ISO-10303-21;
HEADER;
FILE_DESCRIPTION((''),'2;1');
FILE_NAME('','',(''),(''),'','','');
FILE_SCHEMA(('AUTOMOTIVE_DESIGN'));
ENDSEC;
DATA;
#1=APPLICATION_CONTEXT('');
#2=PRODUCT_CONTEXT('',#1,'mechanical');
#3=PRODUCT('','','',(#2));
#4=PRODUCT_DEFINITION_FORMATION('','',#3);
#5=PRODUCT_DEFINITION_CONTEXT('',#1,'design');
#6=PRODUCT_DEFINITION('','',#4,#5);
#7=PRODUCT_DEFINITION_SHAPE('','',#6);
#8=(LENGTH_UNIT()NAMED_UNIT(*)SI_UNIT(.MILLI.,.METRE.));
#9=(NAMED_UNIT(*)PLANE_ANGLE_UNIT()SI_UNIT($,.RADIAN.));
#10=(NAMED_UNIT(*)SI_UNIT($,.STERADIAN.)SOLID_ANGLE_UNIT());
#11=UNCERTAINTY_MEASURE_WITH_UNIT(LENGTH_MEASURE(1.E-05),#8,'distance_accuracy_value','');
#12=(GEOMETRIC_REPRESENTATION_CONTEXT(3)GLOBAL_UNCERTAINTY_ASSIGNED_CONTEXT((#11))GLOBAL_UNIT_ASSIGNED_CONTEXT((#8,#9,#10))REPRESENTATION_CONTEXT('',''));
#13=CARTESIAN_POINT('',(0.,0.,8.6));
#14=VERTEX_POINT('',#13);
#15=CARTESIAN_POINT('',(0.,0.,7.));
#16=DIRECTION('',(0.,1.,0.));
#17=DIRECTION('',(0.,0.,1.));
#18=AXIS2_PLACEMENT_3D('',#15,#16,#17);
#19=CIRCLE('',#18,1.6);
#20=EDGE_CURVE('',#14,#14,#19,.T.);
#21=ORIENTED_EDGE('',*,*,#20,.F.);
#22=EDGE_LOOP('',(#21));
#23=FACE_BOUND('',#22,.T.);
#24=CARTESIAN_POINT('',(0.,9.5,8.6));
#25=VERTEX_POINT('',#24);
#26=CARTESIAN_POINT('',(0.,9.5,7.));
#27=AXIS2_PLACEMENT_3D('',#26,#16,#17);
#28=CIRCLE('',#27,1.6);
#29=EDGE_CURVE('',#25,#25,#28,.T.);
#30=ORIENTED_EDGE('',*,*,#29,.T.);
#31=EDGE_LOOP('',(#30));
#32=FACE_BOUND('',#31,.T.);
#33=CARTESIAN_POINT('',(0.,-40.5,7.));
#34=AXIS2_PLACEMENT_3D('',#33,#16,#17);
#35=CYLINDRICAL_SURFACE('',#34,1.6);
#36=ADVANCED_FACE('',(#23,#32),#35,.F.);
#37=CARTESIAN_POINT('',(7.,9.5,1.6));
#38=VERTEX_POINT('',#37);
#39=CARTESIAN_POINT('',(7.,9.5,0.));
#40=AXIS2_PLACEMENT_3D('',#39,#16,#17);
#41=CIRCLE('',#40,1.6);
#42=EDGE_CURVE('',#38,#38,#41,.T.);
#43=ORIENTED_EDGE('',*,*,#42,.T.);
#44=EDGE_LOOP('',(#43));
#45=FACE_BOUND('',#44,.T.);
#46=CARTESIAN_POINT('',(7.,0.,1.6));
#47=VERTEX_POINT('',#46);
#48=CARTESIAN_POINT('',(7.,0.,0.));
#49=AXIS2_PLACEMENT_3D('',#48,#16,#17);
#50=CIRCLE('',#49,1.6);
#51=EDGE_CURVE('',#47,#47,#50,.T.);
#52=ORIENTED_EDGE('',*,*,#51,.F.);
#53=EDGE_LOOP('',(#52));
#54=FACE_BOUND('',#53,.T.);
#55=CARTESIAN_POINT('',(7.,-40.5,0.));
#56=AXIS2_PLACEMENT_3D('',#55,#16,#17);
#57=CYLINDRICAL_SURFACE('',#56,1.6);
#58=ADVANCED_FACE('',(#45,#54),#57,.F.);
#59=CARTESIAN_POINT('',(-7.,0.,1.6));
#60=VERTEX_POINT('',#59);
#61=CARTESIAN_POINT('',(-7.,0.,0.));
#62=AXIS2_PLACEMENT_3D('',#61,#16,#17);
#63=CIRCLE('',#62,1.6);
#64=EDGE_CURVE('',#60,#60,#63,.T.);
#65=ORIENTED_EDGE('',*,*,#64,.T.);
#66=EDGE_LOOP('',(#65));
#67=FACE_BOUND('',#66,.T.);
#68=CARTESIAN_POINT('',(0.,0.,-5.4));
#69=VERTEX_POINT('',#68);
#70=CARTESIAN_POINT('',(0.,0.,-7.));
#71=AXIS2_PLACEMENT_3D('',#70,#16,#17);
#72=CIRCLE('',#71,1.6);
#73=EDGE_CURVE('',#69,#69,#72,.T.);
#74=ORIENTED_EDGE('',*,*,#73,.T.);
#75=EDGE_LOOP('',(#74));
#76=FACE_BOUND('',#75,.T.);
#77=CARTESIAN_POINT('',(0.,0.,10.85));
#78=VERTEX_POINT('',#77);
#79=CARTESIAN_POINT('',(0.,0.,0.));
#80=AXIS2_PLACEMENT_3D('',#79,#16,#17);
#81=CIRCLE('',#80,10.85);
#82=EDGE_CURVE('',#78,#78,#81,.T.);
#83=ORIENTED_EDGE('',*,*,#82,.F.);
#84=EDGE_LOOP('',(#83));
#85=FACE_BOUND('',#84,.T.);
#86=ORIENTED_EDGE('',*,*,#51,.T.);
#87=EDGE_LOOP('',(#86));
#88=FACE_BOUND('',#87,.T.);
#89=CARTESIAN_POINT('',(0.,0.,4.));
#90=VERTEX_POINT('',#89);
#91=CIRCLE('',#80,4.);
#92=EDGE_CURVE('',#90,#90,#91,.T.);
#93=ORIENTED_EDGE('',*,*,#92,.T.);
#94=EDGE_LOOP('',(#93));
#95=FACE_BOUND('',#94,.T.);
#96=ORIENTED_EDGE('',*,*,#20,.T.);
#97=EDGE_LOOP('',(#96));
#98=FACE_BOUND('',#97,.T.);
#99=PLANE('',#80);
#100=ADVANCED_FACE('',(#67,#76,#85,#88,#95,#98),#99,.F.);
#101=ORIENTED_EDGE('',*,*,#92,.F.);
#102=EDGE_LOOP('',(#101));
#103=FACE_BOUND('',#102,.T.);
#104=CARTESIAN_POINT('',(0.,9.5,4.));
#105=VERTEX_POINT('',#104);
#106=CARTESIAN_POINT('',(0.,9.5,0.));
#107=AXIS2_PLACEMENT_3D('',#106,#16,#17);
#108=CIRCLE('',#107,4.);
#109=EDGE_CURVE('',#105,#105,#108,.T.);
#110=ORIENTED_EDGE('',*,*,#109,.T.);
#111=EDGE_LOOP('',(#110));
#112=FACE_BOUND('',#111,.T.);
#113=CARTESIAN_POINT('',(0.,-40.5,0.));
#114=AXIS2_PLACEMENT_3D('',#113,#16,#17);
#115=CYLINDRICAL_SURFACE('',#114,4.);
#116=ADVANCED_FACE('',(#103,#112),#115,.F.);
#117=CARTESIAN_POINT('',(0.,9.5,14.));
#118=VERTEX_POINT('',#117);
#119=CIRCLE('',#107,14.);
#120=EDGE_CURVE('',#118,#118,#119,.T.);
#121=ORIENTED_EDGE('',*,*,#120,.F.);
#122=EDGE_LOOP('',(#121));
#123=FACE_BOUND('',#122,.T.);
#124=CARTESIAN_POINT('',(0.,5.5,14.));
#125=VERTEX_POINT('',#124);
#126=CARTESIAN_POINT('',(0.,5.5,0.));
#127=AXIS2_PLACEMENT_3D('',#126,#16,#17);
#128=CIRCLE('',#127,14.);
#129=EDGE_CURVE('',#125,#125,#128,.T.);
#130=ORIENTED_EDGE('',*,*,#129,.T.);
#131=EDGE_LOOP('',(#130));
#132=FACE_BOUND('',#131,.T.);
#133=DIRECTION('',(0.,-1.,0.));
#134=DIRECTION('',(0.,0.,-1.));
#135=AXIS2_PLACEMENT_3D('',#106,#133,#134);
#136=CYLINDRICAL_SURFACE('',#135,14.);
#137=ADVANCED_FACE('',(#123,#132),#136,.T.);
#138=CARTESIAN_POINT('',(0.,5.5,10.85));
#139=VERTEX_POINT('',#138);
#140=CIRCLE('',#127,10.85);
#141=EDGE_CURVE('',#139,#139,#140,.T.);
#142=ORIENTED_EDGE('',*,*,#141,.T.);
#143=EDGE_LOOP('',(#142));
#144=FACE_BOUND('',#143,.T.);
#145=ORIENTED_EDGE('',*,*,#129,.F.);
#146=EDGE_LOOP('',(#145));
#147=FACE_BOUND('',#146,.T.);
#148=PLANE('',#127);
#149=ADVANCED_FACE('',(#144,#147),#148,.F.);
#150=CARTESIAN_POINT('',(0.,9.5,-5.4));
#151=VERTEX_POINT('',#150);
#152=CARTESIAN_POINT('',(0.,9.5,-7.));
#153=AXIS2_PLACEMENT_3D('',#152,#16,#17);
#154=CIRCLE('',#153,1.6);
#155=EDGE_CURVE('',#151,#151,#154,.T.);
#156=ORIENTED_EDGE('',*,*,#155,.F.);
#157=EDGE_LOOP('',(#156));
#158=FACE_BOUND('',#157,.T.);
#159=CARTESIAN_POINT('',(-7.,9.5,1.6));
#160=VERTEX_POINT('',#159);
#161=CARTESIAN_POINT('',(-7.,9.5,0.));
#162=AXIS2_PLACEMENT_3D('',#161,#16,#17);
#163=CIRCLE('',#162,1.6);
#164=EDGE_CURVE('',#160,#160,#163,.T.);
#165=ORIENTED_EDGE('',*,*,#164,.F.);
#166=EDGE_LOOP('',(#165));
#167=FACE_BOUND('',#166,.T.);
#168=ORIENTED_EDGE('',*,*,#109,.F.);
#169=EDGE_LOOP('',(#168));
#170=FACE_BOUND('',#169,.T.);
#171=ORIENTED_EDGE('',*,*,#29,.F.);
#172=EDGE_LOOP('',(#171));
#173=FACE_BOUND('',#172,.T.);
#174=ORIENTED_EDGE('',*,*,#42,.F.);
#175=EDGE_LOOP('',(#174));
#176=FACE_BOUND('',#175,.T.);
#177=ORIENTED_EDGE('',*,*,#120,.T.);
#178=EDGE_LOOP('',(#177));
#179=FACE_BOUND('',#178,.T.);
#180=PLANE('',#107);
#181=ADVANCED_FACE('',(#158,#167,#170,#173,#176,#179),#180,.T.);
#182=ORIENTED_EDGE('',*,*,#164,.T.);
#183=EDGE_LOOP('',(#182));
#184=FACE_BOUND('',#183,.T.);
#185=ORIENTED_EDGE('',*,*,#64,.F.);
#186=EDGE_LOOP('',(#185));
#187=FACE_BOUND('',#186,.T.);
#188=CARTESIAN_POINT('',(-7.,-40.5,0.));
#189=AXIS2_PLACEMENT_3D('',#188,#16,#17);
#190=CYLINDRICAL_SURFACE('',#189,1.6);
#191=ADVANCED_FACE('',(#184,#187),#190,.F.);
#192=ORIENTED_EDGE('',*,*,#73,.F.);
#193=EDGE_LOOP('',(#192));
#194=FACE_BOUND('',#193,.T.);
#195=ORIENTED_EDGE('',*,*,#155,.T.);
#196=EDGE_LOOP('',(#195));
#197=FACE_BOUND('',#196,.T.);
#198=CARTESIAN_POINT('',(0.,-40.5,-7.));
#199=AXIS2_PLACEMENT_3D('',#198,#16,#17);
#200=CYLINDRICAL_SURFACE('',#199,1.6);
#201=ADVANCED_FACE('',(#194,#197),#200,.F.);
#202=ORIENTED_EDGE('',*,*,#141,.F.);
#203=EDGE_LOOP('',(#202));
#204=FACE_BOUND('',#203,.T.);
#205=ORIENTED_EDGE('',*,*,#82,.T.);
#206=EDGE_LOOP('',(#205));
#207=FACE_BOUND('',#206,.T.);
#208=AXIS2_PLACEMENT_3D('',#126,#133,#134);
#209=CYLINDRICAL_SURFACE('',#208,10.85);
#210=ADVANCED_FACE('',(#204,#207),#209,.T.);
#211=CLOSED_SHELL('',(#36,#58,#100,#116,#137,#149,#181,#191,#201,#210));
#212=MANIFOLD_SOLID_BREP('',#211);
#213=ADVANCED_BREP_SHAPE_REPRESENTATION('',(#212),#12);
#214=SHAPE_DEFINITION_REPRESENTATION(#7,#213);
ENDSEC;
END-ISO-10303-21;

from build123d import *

# Parameters (mm, degrees)
SKETCH_3_R          = 10.85
EXTRUDE_1_DEPTH     = 5.5
SKETCH_4_R          = 14
EXTRUDE_2_DEPTH     = 4
SKETCH_5_R          = 4
SKETCH_5_R_2        = 1.6
CUT_EXTRUDE_1_DEPTH = 50


with BuildPart() as part:
    # 草图3 → 凸台-拉伸1 (new body)
    with BuildSketch(Plane(origin=(0, 0, 0), x_dir=(1, 0, 0), z_dir=(0, 1, 0))):
        with Locations(Location((0, 0, 0), (0, 0, 270))):
            Circle(SKETCH_3_R)
    extrude(amount=EXTRUDE_1_DEPTH)

    # 草图4 → 凸台-拉伸2 (add)
    with BuildSketch(Plane(origin=(0, 5.5, 0), x_dir=(1, 0, 0), z_dir=(0, 1, 0))):
        with Locations(Location((0, 0, 0), (0, 0, 270))):
            Circle(SKETCH_4_R)
    extrude(amount=EXTRUDE_2_DEPTH)

    # 草图5 → 切除-拉伸1 (cut)
    with BuildSketch(Plane(origin=(0, 9.5, 0), x_dir=(1, 0, 0), z_dir=(0, 1, 0))):
        with Locations(Location((0, 0, 0), (0, 0, 270))):
            Circle(SKETCH_5_R)
        with Locations(Location((0, 7, 0), (0, 0, 270))):
            Circle(SKETCH_5_R_2)
        with Locations(Location((7, 0, 0), (0, 0, 270))):
            Circle(SKETCH_5_R_2)
        with Locations(Location((0, -7, 0), (0, 0, 270))):
            Circle(SKETCH_5_R_2)
        with Locations(Location((-7, 0, 0), (0, 0, 270))):
            Circle(SKETCH_5_R_2)
    extrude(amount=-CUT_EXTRUDE_1_DEPTH, mode=Mode.SUBTRACT)


solid = part.part
